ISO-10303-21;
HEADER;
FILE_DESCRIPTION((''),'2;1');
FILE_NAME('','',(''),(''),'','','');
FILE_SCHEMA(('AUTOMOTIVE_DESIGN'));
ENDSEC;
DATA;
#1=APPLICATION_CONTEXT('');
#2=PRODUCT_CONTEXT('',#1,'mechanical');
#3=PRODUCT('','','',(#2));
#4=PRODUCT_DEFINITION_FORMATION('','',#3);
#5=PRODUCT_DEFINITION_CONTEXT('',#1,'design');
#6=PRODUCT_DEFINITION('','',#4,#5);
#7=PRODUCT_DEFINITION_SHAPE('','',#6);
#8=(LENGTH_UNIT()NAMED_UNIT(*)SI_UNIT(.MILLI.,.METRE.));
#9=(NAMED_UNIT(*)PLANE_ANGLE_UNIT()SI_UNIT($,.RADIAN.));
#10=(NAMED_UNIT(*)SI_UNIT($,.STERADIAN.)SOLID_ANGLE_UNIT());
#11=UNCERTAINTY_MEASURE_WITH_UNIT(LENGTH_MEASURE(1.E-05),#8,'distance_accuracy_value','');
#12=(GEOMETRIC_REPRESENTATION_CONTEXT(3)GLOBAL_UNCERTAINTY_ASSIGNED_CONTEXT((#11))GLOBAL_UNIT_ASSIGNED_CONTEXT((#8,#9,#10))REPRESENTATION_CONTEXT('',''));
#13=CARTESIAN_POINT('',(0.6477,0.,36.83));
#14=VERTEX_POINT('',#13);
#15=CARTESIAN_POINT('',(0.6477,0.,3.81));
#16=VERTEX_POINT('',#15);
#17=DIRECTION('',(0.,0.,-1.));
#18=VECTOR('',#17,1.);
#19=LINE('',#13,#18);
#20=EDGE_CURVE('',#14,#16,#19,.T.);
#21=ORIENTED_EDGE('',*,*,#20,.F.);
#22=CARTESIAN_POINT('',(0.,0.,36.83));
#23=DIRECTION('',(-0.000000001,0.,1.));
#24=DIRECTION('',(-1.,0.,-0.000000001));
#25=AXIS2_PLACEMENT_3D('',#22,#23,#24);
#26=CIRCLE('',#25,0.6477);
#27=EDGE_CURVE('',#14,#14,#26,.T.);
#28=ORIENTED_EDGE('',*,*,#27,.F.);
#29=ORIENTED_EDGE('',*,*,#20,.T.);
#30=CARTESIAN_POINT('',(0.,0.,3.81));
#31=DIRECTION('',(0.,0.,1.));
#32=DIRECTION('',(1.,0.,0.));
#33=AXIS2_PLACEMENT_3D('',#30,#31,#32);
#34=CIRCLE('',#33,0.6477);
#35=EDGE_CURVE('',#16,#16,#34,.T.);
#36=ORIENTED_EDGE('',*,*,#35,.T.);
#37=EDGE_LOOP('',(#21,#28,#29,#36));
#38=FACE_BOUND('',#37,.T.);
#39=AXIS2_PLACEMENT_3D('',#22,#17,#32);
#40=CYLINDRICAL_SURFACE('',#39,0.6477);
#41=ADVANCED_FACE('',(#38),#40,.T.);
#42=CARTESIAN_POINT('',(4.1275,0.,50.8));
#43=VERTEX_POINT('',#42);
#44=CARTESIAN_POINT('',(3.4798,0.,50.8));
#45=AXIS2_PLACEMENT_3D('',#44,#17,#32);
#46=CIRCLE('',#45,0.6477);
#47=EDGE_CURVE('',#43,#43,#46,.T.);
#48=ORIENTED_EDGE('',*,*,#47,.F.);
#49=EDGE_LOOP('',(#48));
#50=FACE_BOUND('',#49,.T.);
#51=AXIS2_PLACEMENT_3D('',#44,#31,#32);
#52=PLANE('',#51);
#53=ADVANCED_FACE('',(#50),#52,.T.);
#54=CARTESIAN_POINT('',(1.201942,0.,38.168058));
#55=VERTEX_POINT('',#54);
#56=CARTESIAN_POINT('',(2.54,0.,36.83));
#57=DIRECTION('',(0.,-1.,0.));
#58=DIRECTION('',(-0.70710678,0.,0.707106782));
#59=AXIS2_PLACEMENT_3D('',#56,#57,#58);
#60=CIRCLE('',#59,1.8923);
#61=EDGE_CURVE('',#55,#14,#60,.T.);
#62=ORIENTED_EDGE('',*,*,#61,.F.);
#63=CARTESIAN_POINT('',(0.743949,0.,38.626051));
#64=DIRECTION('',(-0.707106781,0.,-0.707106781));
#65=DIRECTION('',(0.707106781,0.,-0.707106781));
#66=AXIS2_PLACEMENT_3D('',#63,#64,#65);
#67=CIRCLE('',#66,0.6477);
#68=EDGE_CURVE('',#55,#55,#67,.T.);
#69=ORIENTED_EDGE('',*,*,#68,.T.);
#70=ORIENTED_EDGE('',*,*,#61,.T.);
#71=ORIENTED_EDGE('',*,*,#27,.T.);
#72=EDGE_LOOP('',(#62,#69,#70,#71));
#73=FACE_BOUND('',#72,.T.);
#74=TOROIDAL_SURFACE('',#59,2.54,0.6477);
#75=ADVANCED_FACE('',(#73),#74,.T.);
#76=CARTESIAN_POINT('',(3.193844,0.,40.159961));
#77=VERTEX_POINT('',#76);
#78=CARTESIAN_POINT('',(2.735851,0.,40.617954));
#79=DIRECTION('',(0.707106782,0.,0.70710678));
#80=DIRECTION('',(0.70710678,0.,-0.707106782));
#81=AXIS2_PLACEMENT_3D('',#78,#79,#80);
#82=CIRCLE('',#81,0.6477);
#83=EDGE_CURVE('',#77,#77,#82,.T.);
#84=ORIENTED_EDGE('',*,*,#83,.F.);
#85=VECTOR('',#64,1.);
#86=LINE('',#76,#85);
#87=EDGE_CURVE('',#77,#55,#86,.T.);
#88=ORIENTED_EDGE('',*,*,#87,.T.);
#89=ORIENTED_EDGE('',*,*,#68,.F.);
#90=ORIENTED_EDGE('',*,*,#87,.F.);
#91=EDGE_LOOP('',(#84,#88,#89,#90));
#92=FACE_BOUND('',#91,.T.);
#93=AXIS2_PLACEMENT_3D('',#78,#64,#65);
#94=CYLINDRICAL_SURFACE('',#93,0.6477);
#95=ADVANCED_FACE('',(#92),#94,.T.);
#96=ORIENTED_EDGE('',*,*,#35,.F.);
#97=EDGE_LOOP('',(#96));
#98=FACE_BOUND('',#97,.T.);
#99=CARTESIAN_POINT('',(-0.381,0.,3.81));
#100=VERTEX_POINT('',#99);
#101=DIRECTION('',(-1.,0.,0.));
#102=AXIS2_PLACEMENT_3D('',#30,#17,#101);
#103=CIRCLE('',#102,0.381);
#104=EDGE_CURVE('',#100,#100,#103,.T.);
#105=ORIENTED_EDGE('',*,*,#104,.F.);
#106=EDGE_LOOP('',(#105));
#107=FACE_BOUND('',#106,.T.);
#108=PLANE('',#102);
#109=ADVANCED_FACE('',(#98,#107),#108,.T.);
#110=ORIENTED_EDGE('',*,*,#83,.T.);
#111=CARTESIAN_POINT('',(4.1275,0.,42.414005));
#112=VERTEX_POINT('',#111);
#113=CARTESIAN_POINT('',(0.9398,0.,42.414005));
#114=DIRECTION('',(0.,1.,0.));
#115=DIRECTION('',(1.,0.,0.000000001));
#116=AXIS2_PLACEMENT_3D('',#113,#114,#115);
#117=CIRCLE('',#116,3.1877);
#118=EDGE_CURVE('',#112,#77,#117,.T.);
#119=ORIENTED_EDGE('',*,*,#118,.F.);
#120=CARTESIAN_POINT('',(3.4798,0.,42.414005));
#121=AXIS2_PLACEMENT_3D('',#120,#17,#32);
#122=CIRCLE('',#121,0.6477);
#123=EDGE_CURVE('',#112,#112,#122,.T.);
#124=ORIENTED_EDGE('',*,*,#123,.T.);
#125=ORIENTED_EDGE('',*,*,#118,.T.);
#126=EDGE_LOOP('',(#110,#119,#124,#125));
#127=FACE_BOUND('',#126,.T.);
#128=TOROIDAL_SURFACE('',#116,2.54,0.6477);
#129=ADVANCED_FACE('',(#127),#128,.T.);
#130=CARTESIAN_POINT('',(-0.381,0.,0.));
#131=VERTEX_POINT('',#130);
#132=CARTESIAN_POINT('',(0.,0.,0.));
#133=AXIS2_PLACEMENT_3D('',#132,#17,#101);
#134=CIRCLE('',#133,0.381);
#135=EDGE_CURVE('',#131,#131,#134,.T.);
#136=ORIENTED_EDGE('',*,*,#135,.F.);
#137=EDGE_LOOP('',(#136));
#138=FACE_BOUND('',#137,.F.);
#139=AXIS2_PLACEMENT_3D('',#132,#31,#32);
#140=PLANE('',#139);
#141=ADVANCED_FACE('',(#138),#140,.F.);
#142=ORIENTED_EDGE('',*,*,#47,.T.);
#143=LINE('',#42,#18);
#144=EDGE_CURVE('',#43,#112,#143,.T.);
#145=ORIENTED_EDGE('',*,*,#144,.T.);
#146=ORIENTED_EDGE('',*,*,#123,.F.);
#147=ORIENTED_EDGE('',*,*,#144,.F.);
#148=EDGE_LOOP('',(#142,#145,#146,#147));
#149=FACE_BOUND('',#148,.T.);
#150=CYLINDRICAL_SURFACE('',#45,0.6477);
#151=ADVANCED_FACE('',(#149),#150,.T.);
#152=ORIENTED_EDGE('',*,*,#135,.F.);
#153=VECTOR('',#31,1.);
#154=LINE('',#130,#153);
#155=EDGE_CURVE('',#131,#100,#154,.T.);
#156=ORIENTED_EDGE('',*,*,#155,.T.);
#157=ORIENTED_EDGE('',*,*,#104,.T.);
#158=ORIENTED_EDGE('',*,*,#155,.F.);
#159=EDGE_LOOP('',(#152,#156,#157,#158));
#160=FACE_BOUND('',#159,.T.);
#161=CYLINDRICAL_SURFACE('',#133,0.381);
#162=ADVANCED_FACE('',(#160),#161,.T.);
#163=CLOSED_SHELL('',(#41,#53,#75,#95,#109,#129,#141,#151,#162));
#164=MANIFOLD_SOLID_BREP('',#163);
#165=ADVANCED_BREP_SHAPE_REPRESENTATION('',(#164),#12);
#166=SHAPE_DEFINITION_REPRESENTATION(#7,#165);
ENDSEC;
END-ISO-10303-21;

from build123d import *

# Parameters (mm, degrees)
SKETCH1_R           = 0.6477
BOSS_EXTRUDE1_DEPTH = 35.56
SKETCH3_R           = 0.6477
SKETCH4_R           = 0.6477
SKETCH4_R_2         = 0.381
CUT_EXTRUDE1_DEPTH  = 3.81


with BuildPart() as part:
    # Sketch1 → Boss-Extrude1 (new body)
    with BuildSketch(Plane.XY):
        Circle(SKETCH1_R)
    extrude(amount=BOSS_EXTRUDE1_DEPTH)

    # Sweep1: sweep along a path in Sketch2
    with BuildLine(Plane(origin=(0, 0, 0), x_dir=(1, 0, 0), z_dir=(0, 1, 0))) as sweep1_path:
        Line((3.4798, -50.8), (3.4798, -42.414004897))
        ThreePointArc((3.4798, -42.414004897), (3.286454013, -41.441988979), (2.735851224, -40.617953673))
        Line((2.735851224, -40.617953673), (0.743948776, -38.626051224))
        ThreePointArc((0.743948776, -38.626051224), (0.193345987, -37.802015918), (0, -36.83))
        Line((0, -36.83), (0, -35.56))
    # Sketch3 → Sweep1 (sweep)
    with BuildSketch(Plane.XY.offset(35.56)):
        Circle(SKETCH3_R)
    sweep(path=sweep1_path.line)

    # Sketch4 → Cut-Extrude1 (cut)
    with BuildSketch(Plane(origin=(0, 0, 0), x_dir=(-1, 0, 0), z_dir=(0, 0, -1))):
        Circle(SKETCH4_R)
        Circle(SKETCH4_R_2, mode=Mode.SUBTRACT)
    extrude(amount=-CUT_EXTRUDE1_DEPTH, mode=Mode.SUBTRACT)


solid = part.part
